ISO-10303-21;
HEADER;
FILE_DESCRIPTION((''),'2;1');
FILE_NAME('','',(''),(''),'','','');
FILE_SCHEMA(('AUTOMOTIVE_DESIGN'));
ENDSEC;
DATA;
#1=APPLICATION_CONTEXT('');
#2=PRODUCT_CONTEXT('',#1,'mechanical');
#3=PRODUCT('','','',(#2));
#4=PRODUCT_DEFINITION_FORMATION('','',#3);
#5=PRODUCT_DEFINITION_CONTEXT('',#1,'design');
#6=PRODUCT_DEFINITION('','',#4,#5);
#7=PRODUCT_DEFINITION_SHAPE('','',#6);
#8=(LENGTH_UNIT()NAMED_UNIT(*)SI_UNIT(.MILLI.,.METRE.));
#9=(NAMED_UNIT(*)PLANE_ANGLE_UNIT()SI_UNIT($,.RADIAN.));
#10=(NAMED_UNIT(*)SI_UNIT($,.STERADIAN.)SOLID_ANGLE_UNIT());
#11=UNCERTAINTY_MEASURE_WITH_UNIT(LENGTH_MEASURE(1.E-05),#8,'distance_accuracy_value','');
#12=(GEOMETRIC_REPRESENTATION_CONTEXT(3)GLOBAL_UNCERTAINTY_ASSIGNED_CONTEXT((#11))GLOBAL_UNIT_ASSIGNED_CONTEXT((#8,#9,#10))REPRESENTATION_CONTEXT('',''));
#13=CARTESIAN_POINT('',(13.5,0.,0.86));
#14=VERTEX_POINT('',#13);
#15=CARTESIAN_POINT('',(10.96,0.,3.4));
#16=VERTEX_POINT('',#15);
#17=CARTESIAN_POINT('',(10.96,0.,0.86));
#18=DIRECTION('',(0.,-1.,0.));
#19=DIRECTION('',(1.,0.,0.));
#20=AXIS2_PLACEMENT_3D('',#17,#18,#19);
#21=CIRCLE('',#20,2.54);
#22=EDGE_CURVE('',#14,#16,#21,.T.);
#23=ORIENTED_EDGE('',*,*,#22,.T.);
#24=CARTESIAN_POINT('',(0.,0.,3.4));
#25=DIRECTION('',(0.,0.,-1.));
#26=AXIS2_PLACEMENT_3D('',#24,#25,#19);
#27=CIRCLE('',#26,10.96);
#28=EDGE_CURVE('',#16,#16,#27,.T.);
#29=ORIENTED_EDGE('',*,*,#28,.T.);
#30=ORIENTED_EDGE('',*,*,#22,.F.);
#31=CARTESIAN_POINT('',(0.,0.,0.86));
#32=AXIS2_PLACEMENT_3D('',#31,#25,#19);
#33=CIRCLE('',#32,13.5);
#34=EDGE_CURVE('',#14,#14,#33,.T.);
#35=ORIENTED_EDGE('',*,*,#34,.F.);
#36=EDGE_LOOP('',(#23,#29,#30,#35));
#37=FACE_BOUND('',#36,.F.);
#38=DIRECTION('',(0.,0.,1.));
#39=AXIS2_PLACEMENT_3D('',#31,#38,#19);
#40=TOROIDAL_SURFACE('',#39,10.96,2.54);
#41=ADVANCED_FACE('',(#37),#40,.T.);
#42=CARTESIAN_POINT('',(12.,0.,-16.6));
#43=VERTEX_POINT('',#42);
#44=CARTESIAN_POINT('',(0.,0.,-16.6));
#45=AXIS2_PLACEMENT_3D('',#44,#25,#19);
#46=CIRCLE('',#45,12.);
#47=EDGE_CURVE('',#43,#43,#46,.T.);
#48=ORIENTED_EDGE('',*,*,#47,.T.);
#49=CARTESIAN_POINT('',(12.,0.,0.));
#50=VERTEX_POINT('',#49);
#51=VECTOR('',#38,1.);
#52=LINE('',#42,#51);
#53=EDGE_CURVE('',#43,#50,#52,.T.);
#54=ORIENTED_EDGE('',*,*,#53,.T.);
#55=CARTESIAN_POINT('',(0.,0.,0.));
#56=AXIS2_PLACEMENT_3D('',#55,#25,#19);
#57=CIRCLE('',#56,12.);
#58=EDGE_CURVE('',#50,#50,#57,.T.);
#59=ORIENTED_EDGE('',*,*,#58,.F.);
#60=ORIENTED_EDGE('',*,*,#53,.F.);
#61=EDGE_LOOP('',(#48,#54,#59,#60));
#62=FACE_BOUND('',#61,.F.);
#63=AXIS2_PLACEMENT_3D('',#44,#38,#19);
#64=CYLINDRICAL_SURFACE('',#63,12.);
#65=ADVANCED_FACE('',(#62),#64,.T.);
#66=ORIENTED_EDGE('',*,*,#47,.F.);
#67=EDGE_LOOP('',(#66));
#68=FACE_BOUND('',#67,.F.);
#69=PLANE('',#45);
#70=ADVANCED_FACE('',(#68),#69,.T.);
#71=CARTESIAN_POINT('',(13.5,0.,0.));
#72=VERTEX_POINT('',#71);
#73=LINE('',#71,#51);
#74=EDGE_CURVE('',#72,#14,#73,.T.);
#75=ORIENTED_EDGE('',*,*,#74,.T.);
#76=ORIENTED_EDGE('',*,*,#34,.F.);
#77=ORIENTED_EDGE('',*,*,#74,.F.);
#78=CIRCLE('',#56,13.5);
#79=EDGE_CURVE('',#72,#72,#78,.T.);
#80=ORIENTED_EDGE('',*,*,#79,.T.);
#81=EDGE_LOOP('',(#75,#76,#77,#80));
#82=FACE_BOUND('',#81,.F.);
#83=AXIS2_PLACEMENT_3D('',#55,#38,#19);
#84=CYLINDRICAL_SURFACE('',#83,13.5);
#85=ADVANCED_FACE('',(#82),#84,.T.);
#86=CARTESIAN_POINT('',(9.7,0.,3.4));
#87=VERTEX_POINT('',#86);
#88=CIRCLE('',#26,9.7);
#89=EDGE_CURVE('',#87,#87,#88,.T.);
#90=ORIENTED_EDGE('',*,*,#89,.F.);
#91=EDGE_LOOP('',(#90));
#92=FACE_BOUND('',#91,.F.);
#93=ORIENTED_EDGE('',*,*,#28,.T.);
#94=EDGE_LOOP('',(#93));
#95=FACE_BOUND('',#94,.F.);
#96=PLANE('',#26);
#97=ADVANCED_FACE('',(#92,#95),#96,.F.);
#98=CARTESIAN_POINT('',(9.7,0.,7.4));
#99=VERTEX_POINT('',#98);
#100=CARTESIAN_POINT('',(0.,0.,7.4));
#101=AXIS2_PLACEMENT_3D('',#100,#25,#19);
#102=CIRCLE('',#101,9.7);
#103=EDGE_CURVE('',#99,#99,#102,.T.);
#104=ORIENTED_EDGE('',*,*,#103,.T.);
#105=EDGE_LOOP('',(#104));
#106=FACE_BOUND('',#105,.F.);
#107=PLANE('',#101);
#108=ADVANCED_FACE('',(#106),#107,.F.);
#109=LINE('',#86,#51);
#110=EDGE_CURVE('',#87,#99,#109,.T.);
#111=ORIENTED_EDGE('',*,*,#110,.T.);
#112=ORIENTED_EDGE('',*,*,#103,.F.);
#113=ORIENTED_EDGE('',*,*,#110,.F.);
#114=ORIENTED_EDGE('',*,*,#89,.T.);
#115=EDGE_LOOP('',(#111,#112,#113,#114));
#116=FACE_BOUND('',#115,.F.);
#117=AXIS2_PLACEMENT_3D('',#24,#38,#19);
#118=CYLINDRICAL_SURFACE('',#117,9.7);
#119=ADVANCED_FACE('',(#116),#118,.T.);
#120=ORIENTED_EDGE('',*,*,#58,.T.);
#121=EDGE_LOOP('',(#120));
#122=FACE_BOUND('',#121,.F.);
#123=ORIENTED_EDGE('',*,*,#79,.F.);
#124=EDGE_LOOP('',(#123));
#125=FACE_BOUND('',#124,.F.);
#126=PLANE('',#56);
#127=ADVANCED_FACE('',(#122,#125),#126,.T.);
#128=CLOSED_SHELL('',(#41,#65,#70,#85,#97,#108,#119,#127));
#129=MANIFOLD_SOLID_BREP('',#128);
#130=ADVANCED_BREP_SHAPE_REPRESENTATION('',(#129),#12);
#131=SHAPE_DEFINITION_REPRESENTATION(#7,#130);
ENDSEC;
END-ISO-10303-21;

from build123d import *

# Parameters (mm, degrees)
F2_R = 2.54


with BuildPart() as f1:
    # F0 (on Front) → F1 (revolve)
    with BuildSketch(Plane.XZ):
        Polygon((9.7, 7.4), (0, 7.4), (0, -16.6), (12, -16.6), (12, 0), (13.5, 0), (13.5, 3.4), (9.7, 3.4), align=None)
    revolve(axis=Axis((0, 0, -4.6), (0, 0, -1)))

    # F2
    f2_edges = [f1.edges().sort_by_distance(p)[0] for p in [
        (-13.5, 0, 3.4),
    ]]
    fillet(f2_edges, radius=F2_R)


solid = f1.part
